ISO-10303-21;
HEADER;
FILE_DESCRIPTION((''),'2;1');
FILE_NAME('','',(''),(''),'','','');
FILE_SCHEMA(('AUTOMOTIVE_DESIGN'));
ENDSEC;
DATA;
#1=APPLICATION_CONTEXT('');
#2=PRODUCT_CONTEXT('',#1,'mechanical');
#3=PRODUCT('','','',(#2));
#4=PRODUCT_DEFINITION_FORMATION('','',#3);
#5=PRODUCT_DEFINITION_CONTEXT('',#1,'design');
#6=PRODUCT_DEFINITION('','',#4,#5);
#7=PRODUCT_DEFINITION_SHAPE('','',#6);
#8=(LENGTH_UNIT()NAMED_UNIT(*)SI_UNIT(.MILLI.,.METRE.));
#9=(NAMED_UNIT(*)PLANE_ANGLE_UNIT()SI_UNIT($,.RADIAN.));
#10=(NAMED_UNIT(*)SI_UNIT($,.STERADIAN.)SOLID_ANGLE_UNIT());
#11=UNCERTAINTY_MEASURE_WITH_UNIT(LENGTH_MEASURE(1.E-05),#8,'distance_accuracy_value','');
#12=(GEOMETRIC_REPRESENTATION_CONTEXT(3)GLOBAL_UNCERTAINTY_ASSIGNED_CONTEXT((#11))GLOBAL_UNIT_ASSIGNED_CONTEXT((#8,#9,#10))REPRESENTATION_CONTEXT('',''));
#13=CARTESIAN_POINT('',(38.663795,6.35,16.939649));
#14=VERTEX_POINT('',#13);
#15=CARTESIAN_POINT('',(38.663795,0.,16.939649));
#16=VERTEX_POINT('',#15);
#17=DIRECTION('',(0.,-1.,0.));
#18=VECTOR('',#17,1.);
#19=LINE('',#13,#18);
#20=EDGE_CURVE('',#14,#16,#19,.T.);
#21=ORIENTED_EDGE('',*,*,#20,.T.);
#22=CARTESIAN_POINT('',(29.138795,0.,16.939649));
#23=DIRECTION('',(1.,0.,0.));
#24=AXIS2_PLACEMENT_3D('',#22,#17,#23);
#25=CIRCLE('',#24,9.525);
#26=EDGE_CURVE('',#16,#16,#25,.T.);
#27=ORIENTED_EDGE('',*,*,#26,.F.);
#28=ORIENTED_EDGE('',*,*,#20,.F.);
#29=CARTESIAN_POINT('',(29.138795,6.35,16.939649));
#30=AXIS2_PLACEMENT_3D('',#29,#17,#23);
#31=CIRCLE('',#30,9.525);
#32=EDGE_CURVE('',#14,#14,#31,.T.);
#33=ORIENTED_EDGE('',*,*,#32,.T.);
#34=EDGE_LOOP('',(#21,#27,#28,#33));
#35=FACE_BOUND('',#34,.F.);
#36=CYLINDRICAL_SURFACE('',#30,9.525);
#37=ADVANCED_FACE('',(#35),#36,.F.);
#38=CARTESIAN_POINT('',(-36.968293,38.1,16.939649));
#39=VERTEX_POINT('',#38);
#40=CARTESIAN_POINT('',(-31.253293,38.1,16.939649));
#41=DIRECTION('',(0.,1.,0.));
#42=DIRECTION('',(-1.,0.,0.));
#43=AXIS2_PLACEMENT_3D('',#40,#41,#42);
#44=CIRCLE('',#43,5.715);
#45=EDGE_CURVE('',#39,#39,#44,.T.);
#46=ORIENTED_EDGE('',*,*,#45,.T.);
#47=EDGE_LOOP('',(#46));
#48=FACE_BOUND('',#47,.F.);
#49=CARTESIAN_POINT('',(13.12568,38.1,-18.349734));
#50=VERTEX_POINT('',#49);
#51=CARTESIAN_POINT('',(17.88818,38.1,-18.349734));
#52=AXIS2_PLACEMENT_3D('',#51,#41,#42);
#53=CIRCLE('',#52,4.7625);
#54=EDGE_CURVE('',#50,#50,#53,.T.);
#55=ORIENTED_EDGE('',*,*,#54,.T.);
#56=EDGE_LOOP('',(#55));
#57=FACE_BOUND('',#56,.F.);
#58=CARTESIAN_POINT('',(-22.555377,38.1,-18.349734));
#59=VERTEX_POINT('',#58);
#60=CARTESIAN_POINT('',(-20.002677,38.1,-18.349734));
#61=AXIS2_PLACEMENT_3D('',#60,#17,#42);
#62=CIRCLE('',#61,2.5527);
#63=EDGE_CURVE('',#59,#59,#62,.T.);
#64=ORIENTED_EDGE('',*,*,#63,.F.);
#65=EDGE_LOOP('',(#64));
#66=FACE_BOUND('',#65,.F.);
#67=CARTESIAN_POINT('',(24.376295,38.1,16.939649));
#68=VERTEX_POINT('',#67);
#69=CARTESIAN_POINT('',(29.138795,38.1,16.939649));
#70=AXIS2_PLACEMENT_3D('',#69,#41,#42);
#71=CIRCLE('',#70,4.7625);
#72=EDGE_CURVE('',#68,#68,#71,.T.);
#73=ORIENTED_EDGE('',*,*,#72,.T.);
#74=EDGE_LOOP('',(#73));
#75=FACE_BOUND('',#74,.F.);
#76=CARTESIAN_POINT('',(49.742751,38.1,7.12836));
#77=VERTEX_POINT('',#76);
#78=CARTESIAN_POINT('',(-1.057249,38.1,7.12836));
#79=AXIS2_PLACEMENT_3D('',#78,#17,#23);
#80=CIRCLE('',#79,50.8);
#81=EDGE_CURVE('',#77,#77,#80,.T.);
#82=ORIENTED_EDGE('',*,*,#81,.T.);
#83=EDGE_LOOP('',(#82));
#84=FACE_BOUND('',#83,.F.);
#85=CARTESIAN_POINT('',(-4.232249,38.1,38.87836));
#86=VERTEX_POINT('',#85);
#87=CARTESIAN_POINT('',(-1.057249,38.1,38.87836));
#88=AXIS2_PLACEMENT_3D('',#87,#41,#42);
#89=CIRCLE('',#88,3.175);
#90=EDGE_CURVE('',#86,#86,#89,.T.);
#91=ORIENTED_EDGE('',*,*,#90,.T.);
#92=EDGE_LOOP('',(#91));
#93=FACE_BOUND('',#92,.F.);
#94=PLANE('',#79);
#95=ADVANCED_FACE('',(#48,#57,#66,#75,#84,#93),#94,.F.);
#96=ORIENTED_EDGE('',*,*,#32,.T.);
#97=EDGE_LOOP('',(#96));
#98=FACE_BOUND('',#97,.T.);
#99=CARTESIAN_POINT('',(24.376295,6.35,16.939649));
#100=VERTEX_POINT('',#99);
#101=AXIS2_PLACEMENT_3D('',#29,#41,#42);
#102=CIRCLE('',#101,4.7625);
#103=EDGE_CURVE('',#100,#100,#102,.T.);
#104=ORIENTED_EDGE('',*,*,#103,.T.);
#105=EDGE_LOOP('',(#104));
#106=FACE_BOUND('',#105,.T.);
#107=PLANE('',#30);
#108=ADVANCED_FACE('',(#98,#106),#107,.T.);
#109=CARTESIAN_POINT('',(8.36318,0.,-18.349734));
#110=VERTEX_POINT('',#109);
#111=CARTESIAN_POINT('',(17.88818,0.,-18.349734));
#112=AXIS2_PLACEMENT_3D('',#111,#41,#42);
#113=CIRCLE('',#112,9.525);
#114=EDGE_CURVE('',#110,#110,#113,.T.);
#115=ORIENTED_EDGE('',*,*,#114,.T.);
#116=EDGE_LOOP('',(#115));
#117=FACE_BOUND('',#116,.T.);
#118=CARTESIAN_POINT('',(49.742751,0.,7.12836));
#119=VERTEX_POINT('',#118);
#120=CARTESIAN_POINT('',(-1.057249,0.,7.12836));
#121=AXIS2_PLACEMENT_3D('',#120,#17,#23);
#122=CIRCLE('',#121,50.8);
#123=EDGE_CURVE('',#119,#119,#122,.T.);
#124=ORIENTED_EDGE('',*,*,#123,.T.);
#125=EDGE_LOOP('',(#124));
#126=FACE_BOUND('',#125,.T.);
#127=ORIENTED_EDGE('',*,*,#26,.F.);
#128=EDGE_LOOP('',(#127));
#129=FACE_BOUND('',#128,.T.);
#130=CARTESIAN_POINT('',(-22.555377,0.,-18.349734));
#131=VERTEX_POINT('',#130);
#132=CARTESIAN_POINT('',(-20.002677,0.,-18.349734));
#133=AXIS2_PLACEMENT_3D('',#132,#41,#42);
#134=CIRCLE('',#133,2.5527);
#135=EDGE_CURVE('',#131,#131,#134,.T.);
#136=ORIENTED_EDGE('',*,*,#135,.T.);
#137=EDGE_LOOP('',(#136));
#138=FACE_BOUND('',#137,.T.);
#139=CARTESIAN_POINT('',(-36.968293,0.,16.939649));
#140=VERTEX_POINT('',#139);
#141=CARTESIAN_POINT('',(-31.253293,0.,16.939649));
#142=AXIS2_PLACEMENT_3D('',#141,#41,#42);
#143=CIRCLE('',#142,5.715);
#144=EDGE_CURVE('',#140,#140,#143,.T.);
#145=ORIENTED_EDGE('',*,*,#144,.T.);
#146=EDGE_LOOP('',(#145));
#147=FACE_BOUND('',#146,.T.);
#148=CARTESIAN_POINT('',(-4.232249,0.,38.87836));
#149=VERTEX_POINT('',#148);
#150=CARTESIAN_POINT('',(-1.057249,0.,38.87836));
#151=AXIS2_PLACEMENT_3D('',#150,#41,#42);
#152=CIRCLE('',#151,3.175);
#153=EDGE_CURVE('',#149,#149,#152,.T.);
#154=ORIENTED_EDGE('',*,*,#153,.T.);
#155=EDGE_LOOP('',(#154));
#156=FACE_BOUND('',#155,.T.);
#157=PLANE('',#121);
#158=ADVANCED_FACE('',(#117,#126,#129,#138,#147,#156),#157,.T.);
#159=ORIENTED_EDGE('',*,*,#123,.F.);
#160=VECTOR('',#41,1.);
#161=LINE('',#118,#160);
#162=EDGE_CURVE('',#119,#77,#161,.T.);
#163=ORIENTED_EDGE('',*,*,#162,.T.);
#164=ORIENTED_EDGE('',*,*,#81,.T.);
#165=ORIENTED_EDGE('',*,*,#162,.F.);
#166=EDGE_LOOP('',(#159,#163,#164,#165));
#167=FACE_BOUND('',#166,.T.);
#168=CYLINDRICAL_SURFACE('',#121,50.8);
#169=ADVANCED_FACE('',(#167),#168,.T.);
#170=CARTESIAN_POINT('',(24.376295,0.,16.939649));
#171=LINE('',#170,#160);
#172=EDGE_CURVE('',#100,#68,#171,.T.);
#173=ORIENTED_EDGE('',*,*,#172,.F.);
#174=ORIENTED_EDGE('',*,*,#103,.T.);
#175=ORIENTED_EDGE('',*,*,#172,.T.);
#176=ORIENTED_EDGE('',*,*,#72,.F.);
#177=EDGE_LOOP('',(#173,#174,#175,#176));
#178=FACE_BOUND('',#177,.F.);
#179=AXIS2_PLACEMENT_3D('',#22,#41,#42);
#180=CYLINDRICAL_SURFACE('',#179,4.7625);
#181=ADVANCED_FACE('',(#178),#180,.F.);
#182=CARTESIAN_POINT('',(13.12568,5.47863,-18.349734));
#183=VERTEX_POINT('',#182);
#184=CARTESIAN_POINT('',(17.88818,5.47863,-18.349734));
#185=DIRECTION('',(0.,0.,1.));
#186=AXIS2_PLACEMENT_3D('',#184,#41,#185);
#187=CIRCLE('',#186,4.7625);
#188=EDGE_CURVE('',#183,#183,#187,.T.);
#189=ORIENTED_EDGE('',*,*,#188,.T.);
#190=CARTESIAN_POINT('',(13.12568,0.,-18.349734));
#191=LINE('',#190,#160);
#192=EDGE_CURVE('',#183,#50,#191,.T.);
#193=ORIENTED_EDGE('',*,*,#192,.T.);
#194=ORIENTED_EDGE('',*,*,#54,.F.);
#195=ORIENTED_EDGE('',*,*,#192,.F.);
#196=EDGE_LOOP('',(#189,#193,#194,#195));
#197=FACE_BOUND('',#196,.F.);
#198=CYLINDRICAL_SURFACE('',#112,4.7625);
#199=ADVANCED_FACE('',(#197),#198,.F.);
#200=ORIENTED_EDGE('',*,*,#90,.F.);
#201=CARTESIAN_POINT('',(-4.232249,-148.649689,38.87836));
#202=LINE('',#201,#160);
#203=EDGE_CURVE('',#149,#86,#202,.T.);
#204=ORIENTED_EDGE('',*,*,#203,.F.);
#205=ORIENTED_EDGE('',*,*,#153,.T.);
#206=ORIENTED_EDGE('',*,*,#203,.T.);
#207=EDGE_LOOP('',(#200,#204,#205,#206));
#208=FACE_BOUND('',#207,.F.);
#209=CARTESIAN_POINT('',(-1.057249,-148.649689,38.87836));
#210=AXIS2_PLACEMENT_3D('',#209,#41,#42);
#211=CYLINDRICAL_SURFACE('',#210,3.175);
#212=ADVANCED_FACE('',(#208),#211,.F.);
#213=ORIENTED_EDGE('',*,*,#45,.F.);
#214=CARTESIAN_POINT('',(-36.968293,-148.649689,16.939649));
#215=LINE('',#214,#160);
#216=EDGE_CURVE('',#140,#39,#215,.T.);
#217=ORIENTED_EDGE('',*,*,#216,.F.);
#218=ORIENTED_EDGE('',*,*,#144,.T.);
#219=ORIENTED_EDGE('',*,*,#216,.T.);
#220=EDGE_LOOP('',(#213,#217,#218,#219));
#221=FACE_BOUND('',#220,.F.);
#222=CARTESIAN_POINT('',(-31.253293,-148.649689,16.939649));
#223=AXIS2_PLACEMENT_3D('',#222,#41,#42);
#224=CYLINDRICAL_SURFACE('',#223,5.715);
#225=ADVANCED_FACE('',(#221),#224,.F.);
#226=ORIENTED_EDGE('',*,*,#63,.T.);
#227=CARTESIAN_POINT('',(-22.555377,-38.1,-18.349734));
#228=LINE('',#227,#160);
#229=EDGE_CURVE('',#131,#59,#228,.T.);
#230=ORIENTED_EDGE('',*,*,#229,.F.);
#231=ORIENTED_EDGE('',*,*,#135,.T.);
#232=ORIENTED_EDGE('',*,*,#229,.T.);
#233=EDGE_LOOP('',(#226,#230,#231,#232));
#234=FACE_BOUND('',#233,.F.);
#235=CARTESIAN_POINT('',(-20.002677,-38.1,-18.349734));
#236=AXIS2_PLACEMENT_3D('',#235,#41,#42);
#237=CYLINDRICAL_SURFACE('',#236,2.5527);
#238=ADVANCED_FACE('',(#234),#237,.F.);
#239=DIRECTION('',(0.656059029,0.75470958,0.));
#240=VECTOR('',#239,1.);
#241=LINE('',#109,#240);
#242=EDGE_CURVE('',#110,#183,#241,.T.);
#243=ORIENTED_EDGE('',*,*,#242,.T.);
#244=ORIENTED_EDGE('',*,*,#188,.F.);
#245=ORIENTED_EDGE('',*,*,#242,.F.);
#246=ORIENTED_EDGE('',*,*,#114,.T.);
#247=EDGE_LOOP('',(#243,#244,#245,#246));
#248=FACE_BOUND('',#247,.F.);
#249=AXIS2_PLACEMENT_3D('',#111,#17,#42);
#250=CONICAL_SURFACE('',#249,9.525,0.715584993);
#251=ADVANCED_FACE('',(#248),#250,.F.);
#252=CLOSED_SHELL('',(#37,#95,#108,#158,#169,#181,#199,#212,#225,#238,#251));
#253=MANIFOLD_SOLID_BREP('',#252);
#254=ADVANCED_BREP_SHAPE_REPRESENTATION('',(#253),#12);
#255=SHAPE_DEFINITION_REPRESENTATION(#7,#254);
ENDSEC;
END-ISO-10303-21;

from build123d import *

# Parameters (mm, degrees)
F0_R           = 50.8
F0_R_2         = 1.5875
F0_R_3         = 9.525
F0_R_4         = 5.715
F0_R_5         = 3.175
F0_R_6         = 4.7625
F1_DEPTH       = 38.1
F2_D           = 6.35
F3_D           = 9.525
F3_CBORE_D     = 19.05
F3_CBORE_DEPTH = 6.35
F4_D           = 9.525
F4_CSINK_D     = 19.05
F4_CSINK_ANGLE = 82
F5_D           = 5.1054
F5_DEPTH       = 38.1
F5_TIP         = 1.5338169022
F6_D           = 11.43


with BuildPart() as f1:
    # F0 (on Front) → F1 (new body)
    with BuildSketch(Plane.XZ):
        with Locations((-1.0572489118, 7.1283597499)):
            Circle(F0_R)
        with Locations((-20.0026774298, -18.3497335514)):
            Circle(F0_R_2, mode=Mode.SUBTRACT)
        with Locations((17.8881796061, -18.3497335514)):
            Circle(F0_R_3, mode=Mode.SUBTRACT)
        with Locations((-31.2532933042, 16.9396493213)):
            Circle(F0_R_4, mode=Mode.SUBTRACT)
        with Locations((-1.0572489118, 38.8783597499)):
            Circle(F0_R_5, mode=Mode.SUBTRACT)
        with Locations((29.1387954806, 16.9396493213)):
            Circle(F0_R_3, mode=Mode.SUBTRACT)
        with Locations((29.1387954806, 16.9396493213)):
            Circle(F0_R_3)
        with Locations((29.1387954806, 16.9396493213)):
            Circle(F0_R_6, mode=Mode.SUBTRACT)
        with Locations((17.8881796061, -18.3497335514)):
            Circle(F0_R_3)
        with Locations((17.8881796061, -18.3497335514)):
            Circle(F0_R_6, mode=Mode.SUBTRACT)
        with Locations((-31.2532933042, 16.9396493213)):
            Circle(F0_R_4)
        with Locations((29.1387954806, 16.9396493213)):
            Circle(F0_R_6)
        with Locations((17.8881796061, -18.3497335514)):
            Circle(F0_R_6)
        with Locations((-1.0572489118, 38.8783597499)):
            Circle(F0_R_5)
        with Locations((-20.0026774298, -18.3497335514)):
            Circle(F0_R_2)
    extrude(amount=-F1_DEPTH)

    # F2 (through all)
    with Locations(Plane.XZ):
        with Locations((-1.0572489118, 38.8783597499)):
            Hole(F2_D / 2)

    # F3 (through all)
    with Locations(Plane.XZ):
        with Locations((29.1387954806, 16.9396493213)):
            CounterBoreHole(F3_D / 2, F3_CBORE_D / 2, F3_CBORE_DEPTH)

    # F4 (through all)
    with Locations(Plane.XZ):
        with Locations((17.8881796061, -18.3497335514)):
            CounterSinkHole(F4_D / 2, F4_CSINK_D / 2, counter_sink_angle=F4_CSINK_ANGLE)

    # F5
    with Locations(Plane.XZ):
        with Locations((-20.0026774298, -18.3497335514)):
            Hole(F5_D / 2, depth=F5_DEPTH)
            with Locations((0, 0, -(F5_DEPTH + F5_TIP / 2))):  # 118° drill point
                Cone(0, F5_D / 2, F5_TIP, mode=Mode.SUBTRACT)

    # F6 (through all)
    with Locations(Plane.XZ):
        with Locations((-31.2532933042, 16.9396493213)):
            Hole(F6_D / 2)


solid = f1.part
